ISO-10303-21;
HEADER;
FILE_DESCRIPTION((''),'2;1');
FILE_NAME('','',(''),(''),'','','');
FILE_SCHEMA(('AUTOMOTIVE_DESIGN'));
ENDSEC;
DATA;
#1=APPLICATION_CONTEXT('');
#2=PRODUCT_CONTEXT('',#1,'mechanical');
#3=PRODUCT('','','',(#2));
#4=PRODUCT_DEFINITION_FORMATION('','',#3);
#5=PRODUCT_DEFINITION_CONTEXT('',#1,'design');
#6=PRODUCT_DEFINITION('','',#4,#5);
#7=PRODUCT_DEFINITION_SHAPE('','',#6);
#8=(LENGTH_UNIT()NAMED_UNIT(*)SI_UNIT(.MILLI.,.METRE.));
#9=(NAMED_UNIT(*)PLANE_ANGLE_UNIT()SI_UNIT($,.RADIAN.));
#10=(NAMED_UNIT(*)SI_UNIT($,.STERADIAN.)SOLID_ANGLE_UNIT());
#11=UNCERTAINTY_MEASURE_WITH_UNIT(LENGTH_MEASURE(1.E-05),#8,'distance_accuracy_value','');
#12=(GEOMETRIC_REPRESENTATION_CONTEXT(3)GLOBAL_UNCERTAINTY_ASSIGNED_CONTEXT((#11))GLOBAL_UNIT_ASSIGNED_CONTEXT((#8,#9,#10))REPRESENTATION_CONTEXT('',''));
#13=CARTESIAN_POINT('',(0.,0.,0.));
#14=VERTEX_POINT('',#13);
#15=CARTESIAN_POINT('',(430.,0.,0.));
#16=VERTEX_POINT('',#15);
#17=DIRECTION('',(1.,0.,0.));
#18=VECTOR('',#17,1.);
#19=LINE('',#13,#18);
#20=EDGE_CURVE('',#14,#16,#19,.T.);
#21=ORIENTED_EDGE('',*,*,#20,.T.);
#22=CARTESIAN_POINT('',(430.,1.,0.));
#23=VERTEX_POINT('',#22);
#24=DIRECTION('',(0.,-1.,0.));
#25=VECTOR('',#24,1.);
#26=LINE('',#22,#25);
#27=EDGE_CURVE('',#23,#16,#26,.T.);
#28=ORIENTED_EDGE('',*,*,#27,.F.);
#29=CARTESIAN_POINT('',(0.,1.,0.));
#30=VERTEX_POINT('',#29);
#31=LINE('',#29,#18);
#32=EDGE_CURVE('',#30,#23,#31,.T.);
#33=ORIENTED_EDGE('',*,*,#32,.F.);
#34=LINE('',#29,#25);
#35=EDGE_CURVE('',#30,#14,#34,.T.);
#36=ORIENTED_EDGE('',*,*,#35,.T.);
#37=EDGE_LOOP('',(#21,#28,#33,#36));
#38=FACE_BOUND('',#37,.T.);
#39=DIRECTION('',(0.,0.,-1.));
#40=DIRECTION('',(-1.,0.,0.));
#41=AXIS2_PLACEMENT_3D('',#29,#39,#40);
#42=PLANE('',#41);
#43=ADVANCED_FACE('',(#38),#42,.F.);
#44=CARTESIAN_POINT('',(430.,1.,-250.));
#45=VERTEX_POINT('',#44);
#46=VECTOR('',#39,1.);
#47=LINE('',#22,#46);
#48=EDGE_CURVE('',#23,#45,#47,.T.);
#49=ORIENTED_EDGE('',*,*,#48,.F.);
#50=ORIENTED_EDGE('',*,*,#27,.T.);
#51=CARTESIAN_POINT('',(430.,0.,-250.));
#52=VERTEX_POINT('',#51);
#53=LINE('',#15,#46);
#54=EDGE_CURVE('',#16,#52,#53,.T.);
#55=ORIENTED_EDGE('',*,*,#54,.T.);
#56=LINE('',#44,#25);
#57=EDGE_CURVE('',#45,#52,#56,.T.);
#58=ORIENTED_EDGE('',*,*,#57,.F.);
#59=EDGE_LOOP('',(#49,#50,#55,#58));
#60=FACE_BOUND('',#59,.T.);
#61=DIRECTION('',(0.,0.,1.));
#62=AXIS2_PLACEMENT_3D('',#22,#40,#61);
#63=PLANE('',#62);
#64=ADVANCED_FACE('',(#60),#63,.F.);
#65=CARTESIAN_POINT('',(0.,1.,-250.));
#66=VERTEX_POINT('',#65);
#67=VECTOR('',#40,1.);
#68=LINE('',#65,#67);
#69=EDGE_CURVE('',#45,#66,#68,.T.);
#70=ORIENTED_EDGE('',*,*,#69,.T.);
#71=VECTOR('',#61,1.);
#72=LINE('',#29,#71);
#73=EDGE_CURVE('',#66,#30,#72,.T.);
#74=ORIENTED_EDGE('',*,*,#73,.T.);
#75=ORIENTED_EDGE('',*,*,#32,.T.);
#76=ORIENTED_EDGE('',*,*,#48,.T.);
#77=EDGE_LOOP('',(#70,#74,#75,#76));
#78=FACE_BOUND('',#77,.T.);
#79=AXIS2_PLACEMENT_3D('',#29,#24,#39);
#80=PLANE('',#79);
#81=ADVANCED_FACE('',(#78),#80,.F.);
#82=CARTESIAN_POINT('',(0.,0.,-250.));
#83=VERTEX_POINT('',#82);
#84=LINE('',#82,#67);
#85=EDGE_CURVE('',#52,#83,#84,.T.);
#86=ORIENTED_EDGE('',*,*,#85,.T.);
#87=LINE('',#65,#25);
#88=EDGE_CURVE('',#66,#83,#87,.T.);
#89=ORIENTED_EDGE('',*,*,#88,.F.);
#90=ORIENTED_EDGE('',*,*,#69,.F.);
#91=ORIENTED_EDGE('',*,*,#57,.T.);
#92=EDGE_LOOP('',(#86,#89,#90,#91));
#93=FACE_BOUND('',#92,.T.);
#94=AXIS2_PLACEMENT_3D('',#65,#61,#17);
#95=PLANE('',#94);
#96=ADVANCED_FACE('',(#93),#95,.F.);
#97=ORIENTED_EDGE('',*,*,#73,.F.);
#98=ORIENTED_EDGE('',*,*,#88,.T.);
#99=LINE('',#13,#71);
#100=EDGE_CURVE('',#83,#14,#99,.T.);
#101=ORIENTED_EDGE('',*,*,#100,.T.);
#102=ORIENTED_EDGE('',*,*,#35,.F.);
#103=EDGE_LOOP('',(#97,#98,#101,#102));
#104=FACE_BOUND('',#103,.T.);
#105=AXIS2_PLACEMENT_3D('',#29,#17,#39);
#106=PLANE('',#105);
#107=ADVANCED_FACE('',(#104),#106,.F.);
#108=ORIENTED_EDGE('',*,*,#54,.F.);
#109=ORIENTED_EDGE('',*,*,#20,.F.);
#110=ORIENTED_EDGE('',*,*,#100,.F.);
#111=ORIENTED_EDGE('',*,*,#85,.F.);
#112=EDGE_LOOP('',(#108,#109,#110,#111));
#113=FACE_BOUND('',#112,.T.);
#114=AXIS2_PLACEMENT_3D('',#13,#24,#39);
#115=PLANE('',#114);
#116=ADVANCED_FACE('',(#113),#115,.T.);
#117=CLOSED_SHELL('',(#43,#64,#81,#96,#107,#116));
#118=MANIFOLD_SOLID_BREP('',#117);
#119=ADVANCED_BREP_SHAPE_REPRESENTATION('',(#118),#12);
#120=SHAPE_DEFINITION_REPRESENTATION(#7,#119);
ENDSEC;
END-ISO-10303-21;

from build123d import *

# Parameters (mm, degrees)
SKETCH_1_W      = 430
SKETCH_1_H      = 250
EXTRUDE_2_DEPTH = 1


with BuildPart() as part:
    # 草图1 → 凸台-拉伸2 (new body)
    with BuildSketch(Plane(origin=(0, 0, 0), x_dir=(1, 0, 0), z_dir=(0, 1, 0))):
        with Locations((215, 125)):
            Rectangle(SKETCH_1_W, SKETCH_1_H)
    extrude(amount=EXTRUDE_2_DEPTH)


solid = part.part
